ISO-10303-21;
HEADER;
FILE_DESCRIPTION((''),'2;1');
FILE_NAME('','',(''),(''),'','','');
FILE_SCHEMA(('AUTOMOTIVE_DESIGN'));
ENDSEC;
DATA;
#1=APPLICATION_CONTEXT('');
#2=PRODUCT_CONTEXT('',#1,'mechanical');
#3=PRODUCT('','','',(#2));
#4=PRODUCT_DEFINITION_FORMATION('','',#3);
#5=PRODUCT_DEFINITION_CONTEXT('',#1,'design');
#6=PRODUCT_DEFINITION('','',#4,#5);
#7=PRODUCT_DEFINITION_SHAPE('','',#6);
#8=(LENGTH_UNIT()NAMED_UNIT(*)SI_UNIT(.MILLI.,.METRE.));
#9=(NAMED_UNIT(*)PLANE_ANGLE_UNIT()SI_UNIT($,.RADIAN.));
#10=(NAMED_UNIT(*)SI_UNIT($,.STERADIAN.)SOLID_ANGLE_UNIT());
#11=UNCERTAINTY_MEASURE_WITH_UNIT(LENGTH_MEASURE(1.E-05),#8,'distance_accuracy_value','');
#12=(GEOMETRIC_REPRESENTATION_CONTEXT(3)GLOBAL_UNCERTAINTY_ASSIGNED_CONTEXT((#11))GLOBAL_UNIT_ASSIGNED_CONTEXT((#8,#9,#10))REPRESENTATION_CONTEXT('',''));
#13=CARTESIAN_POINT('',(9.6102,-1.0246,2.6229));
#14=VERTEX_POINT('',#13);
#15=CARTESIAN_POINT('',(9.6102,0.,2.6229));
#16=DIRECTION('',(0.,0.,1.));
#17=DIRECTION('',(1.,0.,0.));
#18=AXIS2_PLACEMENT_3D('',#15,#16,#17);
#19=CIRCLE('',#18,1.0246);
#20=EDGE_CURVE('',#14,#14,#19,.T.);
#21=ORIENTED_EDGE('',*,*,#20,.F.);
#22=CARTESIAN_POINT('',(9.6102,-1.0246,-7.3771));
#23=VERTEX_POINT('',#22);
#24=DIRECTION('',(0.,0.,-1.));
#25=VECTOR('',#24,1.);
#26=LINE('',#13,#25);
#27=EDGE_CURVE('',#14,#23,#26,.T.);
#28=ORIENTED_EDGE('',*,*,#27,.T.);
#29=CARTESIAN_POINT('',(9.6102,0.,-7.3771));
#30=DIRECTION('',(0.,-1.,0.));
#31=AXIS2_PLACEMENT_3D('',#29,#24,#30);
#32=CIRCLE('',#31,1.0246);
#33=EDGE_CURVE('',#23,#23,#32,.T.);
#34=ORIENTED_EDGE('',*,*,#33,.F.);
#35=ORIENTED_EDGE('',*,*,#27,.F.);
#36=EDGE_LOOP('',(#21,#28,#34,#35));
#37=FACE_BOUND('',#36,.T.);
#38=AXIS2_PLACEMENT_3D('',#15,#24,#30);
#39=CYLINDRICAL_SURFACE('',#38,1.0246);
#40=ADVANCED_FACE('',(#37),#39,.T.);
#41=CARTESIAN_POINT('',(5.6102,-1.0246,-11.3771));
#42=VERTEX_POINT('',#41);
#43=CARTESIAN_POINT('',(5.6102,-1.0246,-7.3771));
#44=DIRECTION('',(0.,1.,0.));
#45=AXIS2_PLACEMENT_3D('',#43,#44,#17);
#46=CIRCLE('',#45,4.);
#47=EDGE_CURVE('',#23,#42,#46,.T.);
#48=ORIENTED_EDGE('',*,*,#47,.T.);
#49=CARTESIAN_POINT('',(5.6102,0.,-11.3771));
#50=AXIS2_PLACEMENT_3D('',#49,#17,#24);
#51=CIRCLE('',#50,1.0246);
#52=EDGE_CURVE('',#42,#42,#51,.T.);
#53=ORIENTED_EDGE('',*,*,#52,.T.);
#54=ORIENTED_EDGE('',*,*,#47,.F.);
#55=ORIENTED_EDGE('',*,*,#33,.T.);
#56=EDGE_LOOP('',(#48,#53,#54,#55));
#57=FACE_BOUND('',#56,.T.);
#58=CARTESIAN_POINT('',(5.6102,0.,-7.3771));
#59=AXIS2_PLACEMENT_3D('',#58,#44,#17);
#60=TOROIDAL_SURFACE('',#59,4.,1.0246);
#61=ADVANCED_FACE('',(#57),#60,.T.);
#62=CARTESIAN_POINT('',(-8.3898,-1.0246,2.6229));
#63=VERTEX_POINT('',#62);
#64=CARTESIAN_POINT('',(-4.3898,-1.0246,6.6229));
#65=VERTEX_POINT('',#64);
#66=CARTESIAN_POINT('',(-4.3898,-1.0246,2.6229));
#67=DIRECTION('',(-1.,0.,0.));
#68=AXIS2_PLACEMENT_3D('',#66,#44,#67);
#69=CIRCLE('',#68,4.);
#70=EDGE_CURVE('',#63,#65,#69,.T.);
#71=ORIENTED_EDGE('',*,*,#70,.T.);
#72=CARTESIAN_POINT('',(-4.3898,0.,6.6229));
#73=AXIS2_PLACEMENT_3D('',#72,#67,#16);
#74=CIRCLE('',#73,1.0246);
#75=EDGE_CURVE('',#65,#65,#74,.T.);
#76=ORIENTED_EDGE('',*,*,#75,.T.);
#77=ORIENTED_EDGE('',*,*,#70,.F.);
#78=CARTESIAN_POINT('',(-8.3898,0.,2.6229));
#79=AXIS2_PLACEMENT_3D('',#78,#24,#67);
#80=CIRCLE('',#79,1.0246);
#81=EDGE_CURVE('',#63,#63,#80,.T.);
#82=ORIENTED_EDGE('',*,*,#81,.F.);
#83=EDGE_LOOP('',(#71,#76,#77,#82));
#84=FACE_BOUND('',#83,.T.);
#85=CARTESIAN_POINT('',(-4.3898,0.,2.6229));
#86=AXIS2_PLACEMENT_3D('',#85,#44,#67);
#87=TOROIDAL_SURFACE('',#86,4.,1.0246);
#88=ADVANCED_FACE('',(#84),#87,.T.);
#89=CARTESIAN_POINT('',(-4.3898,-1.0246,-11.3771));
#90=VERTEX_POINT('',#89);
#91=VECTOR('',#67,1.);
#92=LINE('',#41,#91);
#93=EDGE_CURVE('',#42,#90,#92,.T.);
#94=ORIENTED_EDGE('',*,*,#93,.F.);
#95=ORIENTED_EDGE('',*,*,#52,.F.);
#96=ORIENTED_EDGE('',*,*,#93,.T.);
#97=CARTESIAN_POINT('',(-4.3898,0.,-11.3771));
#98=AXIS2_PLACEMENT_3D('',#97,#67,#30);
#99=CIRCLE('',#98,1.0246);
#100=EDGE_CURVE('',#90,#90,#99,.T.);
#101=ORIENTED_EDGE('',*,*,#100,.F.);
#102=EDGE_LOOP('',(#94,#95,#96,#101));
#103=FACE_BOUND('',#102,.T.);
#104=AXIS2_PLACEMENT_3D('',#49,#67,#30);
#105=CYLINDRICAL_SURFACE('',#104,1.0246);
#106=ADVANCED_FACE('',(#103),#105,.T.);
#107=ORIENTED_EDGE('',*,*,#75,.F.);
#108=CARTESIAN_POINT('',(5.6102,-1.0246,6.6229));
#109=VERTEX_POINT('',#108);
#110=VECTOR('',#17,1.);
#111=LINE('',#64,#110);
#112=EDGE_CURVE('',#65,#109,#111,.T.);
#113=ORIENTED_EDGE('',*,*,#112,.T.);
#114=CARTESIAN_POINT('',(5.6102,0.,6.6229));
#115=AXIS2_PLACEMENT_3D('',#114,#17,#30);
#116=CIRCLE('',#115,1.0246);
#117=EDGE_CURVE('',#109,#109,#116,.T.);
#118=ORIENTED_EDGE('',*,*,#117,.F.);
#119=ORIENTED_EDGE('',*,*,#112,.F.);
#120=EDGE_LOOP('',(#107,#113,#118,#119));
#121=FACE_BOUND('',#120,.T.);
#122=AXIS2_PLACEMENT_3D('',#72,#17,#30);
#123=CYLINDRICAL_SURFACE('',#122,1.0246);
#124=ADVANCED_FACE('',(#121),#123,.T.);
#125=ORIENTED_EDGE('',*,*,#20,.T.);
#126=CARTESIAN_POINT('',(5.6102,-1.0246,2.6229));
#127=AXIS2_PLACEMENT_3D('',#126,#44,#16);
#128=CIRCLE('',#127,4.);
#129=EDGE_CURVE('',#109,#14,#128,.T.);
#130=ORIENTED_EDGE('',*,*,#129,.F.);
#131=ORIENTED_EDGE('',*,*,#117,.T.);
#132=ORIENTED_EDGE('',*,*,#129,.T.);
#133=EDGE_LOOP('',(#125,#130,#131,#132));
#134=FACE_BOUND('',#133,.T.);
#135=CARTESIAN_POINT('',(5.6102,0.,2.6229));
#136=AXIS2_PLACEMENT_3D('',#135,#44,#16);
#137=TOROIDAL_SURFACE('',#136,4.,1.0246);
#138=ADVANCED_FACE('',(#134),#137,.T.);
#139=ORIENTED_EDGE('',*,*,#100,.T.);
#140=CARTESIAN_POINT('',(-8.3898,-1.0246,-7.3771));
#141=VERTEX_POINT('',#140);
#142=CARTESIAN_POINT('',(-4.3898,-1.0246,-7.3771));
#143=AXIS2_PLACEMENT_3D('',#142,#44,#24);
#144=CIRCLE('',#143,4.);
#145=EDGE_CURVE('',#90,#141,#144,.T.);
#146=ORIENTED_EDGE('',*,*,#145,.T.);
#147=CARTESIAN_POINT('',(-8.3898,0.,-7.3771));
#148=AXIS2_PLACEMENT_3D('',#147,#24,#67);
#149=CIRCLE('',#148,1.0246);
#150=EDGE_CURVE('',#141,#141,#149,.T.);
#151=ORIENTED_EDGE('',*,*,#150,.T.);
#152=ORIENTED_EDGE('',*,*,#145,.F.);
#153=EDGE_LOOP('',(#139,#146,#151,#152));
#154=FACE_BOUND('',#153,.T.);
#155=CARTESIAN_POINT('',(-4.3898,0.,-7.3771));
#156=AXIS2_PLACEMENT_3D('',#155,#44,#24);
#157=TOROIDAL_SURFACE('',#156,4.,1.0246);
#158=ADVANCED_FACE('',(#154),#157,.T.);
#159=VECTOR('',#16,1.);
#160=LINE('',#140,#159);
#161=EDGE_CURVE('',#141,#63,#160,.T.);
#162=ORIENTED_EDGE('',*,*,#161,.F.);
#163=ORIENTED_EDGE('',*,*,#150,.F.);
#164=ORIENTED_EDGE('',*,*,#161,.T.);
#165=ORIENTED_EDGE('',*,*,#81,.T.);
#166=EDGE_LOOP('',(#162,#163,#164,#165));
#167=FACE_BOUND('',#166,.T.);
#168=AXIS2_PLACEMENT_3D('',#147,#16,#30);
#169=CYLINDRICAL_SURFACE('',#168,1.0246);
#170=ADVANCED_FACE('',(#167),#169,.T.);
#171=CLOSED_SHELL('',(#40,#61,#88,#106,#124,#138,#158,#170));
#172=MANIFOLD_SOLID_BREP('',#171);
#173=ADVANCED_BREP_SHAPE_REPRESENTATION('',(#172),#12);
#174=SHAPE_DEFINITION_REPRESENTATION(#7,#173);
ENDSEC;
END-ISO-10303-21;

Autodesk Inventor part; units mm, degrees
ref_plane "YZ Plane" through (0, 0, 0) normal (1, 0, 0) x (0, 1, 0)
ref_plane "XZ Plane" through (0, 0, 0) normal (0, 1, 0) x (-1, 0, 0)
ref_plane "XY Plane" through (0, 0, 0) normal (0, 0, 1) x (1, 0, 0)
sketch "Эскиз1" plane through (0, 0, 0) normal (0, 1, 0) x (-1, 0, 0)
  line L0 (4.3898, 6.6229) -> (-5.6102, 6.6229)
  line L1 (-9.6102, 2.6229) -> (-9.6102, -7.3771)
  line L2 (-5.6102, -11.3771) -> (4.3898, -11.3771)
  line L3 (8.3898, -7.3771) -> (8.3898, 2.6229)
  arc A0 (8.3898, 2.6229) -> (4.3898, 6.6229) centre (4.3898, 2.6229) ccw
  arc A1 (4.3898, -11.3771) -> (8.3898, -7.3771) centre (4.3898, -7.3771) ccw
  arc A2 (-9.6102, -7.3771) -> (-5.6102, -11.3771) centre (-5.6102, -7.3771) ccw
  arc A3 (-5.6102, 6.6229) -> (-9.6102, 2.6229) centre (-5.6102, 2.6229) ccw
  point P0 (0, 0)
  point P1 (-9.6102, -11.3771)
  point P2 (-9.6102, 6.6229)
  point P3 (8.3898, -11.3771)
  point P4 (0, -11.3771)
  dimension "d0" = 18
  dimension "d1" = 18
  dimension "d2" = 4
sketch "Эскиз2" plane through (0, 0, 0) normal (0, 1, 0) x (-1, 0, 0)
  point P0 (0, 0)
ref_plane "РабПлоскость1" through (0, 0, -11.3771) normal (-1, 0, 0) x (0, -1, 0)
sketch "Эскиз3" plane through (0, 0, -11.3771) normal (-1, 0, 0) x (0, -1, 0)
  circle A0 centre (0, 0) radius 1.0246
  point P0 (0, 11.3771)
sweep "Сдвиг1" add profiles "Эскиз3" path "Эскиз1"
properties part number "Деталь 8 лаба"
